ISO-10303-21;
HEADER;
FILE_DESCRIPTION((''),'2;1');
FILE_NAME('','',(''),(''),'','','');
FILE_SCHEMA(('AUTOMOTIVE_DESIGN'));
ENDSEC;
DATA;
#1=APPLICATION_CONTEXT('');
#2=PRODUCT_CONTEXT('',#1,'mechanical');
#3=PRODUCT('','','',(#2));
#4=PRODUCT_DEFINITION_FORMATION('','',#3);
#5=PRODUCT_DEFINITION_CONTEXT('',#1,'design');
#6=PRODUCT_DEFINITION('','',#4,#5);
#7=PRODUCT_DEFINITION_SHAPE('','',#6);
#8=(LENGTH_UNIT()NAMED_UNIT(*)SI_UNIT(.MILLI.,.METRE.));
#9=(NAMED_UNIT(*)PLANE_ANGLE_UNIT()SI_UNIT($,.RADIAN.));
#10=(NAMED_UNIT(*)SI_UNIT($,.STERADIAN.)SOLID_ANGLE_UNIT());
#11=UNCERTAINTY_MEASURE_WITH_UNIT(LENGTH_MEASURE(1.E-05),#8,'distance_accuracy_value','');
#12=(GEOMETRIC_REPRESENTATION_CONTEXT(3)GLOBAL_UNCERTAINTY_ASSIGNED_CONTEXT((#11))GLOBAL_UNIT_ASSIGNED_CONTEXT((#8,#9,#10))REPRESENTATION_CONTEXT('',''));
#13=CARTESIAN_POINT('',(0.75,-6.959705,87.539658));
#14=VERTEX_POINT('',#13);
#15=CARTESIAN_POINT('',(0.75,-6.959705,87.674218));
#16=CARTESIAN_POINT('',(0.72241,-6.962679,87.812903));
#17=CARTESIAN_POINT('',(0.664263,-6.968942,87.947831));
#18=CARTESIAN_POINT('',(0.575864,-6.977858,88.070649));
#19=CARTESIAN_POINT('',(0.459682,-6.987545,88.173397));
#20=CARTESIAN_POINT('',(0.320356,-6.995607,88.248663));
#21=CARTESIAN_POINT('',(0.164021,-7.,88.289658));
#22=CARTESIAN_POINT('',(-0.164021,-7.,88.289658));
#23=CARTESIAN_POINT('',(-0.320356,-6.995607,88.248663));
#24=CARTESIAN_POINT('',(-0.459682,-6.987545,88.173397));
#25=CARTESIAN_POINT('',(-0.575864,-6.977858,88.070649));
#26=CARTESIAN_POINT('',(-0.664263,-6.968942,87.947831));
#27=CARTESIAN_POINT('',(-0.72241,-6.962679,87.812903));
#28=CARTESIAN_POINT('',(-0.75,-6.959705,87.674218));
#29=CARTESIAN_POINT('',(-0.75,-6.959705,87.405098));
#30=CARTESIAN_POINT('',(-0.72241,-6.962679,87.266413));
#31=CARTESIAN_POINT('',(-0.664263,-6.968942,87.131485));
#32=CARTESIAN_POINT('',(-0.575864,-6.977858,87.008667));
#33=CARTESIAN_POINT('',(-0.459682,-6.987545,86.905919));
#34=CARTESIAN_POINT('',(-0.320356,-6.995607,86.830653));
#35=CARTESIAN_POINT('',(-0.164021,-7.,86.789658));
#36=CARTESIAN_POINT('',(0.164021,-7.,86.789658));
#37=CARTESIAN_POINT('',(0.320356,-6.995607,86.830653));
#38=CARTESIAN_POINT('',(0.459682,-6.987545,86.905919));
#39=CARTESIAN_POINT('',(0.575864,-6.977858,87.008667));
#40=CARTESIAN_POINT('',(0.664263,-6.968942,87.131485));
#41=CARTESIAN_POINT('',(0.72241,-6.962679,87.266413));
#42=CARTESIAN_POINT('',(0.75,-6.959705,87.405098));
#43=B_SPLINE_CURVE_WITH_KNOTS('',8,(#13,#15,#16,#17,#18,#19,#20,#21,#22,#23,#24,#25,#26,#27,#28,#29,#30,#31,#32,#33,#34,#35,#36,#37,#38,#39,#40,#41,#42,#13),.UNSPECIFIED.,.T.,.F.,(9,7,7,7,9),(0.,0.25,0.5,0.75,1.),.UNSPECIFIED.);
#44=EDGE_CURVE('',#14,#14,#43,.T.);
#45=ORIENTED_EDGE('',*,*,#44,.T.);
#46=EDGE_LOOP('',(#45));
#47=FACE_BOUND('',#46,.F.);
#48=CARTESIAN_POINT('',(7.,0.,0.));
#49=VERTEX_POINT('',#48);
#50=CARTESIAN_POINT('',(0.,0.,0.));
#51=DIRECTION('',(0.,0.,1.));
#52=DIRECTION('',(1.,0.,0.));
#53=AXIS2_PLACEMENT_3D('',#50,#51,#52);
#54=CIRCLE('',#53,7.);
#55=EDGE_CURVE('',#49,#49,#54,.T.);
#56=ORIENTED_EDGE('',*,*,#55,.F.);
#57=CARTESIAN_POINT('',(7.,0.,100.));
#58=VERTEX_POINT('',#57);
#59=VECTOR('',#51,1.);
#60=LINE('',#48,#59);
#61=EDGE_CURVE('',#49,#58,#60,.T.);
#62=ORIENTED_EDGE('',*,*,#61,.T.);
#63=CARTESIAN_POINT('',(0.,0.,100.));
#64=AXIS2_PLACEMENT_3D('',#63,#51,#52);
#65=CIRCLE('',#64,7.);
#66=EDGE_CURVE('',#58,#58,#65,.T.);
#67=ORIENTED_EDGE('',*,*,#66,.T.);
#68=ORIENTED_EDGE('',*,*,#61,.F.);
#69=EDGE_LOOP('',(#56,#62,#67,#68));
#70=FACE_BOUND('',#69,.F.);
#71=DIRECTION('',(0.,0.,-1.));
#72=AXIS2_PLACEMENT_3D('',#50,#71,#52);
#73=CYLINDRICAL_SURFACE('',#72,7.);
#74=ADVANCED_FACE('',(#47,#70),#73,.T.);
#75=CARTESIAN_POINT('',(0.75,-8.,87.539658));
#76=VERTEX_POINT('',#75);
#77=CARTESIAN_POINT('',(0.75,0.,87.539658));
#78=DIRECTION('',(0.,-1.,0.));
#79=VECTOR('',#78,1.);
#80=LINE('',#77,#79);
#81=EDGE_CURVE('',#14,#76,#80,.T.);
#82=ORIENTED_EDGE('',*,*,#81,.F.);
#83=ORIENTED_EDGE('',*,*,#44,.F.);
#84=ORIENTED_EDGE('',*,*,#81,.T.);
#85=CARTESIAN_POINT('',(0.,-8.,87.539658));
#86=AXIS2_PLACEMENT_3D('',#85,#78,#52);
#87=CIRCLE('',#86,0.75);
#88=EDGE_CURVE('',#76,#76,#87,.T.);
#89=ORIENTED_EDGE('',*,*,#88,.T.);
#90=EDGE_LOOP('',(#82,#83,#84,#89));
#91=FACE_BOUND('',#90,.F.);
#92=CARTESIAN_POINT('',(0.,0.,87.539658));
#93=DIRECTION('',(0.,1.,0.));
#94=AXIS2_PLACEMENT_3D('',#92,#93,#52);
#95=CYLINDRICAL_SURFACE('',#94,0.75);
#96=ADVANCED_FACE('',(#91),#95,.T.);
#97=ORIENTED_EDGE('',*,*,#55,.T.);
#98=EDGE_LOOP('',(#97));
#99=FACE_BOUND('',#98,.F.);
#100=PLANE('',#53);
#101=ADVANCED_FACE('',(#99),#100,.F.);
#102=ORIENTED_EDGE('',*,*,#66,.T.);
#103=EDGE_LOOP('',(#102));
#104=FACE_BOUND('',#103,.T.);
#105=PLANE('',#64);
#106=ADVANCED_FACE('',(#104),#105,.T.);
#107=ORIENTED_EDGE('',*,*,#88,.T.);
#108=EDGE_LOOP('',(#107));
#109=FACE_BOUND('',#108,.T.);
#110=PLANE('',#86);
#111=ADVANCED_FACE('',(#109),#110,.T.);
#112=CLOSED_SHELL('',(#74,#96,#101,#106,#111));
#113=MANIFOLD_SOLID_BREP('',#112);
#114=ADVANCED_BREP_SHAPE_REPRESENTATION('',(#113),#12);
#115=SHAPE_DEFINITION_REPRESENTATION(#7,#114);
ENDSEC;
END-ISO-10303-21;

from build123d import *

# Parameters (mm, degrees)
F0_R     = 7
F1_DEPTH = 100
F2_R     = 0.75
F3_DEPTH = 8


with BuildPart() as f1:
    # F0 (on Top) → F1 (new body)
    with BuildSketch(Plane.XY):
        Circle(F0_R)
    extrude(amount=F1_DEPTH)

    # F2 (on Front) → F3 (join)
    with BuildSketch(Plane.XZ):
        with Locations((0, 87.539658)):
            Circle(F2_R)
    extrude(amount=F3_DEPTH)


solid = f1.part
